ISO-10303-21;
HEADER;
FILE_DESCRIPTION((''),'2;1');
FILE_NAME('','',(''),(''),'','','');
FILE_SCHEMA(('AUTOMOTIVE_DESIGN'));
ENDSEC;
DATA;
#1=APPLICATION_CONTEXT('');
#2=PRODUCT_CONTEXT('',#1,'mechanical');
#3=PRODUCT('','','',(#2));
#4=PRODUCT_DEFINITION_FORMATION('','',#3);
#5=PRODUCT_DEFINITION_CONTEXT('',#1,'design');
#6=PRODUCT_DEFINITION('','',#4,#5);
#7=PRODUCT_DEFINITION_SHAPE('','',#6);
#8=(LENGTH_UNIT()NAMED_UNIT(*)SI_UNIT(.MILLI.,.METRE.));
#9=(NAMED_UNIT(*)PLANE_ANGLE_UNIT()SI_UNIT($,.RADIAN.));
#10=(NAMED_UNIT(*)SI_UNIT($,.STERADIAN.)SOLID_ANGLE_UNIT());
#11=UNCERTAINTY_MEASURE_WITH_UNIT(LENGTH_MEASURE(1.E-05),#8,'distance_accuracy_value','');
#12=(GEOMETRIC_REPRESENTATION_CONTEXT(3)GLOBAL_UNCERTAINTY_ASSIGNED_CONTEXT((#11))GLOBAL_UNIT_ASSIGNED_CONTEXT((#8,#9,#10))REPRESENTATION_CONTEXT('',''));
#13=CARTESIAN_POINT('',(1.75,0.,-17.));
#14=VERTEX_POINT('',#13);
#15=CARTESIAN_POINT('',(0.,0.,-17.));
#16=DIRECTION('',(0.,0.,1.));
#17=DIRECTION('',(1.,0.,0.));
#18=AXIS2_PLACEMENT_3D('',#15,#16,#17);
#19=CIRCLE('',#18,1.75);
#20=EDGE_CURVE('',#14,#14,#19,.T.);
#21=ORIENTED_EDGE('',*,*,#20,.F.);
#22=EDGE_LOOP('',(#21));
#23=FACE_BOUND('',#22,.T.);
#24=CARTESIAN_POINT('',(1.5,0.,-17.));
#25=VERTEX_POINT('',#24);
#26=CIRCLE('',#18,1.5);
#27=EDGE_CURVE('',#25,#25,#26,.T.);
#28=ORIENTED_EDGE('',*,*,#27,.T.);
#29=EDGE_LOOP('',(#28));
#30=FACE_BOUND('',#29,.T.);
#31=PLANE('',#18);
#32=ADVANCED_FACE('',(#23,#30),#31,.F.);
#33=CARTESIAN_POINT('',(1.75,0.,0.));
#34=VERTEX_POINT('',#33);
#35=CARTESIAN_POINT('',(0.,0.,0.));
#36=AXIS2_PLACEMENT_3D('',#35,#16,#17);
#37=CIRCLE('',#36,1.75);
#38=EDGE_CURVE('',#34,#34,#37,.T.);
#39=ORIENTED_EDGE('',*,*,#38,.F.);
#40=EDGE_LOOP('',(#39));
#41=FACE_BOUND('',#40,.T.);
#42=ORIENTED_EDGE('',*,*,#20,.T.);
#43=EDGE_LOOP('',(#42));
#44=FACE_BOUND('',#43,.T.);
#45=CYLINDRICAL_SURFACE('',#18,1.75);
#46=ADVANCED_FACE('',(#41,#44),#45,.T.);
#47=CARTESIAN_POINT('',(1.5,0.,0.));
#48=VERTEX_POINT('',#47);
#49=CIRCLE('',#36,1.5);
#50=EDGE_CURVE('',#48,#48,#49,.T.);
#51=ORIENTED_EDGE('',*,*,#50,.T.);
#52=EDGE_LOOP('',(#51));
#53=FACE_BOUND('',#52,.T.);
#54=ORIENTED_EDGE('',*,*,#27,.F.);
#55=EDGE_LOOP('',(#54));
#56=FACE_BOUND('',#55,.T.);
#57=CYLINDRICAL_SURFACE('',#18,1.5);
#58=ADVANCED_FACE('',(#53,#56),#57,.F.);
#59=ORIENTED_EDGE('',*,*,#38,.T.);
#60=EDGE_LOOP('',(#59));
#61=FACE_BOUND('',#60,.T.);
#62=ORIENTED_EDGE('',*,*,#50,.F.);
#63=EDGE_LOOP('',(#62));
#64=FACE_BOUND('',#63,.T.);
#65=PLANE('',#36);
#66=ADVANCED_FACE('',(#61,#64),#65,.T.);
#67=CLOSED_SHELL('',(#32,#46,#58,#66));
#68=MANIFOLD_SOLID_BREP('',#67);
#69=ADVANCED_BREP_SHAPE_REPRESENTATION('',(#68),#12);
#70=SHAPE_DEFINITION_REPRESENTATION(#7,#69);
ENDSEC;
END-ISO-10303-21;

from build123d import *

# Parameters (mm, degrees)
ESQUISSE1_R          = 1.75
ESQUISSE1_R_2        = 1.5
BASE_EXTRUSION_DEPTH = 17


with BuildPart() as part:
    # Esquisse1 → Base-Extrusion (new body)
    with BuildSketch(Plane.XY):
        Circle(ESQUISSE1_R)
        Circle(ESQUISSE1_R_2, mode=Mode.SUBTRACT)
    extrude(amount=-BASE_EXTRUSION_DEPTH)


solid = part.part
